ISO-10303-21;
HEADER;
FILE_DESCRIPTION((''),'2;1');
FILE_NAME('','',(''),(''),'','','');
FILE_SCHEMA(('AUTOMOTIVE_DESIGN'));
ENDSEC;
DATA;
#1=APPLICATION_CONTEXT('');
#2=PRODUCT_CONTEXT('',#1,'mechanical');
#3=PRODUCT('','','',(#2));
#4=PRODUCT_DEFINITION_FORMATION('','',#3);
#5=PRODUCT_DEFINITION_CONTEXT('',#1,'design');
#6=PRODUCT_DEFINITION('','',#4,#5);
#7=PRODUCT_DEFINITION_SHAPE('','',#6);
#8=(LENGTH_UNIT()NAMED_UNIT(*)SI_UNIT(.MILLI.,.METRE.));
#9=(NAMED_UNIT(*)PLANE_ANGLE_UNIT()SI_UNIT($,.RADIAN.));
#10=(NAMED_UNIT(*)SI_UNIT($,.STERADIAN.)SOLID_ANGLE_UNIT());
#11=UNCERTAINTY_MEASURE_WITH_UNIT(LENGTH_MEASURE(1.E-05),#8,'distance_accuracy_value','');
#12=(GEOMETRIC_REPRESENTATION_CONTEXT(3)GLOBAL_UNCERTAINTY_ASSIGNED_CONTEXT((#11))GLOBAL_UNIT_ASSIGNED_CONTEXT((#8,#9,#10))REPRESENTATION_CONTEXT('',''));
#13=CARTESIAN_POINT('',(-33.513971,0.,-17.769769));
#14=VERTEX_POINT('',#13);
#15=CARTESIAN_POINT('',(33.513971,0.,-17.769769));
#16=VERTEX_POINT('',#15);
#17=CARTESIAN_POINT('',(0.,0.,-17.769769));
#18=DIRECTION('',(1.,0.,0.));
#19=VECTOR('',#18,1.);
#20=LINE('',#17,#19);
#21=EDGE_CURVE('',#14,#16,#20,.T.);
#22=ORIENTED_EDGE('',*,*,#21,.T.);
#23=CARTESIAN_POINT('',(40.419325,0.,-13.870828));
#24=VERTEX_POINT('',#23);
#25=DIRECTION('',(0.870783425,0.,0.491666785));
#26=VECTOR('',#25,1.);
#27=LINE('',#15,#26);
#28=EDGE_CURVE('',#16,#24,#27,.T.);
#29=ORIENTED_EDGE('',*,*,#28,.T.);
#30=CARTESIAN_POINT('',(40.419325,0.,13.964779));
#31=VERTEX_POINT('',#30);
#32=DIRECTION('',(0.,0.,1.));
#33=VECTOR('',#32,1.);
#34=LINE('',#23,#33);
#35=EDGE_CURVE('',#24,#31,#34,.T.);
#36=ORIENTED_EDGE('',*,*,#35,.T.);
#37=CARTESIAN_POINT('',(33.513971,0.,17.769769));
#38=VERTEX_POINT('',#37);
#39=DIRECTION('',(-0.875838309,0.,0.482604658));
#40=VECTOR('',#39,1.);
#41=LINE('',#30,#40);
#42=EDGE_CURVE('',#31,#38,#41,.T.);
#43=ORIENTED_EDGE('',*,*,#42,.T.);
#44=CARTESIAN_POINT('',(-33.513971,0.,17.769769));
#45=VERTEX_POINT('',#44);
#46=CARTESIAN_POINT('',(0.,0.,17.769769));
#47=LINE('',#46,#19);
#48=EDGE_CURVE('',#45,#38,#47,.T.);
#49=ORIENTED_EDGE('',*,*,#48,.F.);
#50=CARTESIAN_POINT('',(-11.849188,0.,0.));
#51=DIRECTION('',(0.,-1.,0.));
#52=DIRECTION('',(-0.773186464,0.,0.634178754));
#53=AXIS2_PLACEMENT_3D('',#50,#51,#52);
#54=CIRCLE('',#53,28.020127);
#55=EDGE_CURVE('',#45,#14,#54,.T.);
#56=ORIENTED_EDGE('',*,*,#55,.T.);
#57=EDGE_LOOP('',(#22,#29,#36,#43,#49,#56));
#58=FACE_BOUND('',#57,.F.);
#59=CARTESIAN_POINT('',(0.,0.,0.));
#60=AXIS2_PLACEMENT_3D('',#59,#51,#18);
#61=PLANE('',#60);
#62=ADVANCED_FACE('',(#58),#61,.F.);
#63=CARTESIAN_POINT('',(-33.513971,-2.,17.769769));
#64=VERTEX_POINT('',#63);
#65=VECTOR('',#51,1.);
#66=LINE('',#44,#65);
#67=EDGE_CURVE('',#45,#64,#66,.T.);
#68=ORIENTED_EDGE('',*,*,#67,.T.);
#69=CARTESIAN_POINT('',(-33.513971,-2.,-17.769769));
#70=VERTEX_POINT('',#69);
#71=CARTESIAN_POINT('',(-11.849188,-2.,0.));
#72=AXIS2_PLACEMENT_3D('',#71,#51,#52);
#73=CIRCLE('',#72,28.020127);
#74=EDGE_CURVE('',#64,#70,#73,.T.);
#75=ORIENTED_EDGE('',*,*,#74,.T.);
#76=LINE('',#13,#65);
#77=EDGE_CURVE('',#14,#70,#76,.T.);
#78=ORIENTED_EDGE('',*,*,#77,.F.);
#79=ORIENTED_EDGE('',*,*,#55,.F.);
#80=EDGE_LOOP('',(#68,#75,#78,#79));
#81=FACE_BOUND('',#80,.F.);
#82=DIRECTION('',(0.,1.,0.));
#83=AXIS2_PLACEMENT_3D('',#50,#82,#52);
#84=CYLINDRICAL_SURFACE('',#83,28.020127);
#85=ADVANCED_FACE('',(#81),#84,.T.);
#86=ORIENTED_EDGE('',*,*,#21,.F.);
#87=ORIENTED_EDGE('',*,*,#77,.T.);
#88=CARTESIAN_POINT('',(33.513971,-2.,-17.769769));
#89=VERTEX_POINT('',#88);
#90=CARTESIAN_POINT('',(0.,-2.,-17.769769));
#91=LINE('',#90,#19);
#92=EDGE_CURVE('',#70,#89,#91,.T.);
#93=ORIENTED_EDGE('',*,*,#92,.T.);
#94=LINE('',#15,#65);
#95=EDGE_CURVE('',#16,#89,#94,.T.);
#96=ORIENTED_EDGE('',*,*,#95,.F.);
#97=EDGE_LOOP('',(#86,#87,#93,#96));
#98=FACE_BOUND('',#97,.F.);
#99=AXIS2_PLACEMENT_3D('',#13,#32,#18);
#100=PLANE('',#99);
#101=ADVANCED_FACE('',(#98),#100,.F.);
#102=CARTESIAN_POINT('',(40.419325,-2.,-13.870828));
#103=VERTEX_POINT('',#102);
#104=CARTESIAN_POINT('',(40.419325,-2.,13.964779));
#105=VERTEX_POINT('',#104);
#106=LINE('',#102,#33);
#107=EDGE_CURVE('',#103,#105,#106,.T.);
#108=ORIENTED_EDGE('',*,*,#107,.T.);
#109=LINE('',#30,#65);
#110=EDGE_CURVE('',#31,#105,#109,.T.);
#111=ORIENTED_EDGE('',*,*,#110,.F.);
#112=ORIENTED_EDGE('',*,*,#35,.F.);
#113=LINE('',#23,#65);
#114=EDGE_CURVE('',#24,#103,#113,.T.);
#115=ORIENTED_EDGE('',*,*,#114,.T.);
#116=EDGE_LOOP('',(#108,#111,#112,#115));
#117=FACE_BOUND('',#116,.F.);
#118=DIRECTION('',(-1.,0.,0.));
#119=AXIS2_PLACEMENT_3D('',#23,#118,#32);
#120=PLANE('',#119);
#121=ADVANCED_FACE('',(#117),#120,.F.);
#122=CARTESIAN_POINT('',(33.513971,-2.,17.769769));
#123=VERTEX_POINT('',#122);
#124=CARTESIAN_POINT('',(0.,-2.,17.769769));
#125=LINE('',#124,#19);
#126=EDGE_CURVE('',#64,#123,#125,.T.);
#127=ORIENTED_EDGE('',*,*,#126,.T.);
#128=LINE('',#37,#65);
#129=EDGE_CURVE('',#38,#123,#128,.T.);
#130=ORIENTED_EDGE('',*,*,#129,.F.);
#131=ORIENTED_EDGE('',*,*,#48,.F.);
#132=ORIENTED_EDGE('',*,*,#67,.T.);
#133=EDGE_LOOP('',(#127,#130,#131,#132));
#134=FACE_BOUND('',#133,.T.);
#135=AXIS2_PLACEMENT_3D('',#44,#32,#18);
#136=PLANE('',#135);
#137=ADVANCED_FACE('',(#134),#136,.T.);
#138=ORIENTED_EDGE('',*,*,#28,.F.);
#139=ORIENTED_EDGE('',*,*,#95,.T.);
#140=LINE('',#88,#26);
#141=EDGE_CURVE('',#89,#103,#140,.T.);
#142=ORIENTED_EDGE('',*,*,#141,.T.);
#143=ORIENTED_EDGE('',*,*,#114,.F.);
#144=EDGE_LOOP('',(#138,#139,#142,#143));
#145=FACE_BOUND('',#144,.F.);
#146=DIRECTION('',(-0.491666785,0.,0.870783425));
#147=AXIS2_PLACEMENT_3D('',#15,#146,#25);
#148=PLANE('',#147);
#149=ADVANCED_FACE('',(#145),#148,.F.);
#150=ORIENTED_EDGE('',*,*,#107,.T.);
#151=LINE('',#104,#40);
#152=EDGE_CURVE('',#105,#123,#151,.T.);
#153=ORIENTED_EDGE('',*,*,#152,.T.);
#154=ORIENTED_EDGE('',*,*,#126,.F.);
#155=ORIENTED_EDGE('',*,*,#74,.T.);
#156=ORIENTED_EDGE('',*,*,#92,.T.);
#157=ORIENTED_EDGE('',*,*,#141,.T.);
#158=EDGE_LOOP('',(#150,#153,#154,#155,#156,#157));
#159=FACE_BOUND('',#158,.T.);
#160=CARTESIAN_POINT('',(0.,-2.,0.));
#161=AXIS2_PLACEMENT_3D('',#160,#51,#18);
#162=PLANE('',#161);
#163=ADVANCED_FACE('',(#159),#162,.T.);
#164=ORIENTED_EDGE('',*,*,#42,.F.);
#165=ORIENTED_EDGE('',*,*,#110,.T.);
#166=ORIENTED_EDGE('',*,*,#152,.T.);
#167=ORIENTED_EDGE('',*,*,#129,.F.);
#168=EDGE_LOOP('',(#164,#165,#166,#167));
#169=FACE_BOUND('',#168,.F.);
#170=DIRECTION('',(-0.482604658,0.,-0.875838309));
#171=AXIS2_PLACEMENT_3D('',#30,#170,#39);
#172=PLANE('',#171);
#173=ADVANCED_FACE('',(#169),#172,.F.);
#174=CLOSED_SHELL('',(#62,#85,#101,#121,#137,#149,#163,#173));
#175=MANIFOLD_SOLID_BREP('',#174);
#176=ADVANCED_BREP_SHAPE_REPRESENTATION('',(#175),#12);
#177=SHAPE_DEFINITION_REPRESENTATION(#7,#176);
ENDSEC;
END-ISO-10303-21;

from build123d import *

# Parameters (mm, degrees)
F0_W     = 67.027942
F0_H     = 35.539538
F1_DEPTH = 2


with BuildPart() as f1:
    # F0 (on Front) → F1 (new body)
    with BuildSketch(Plane.XZ):
        Rectangle(F0_W, F0_H)
        with BuildLine():
            ThreePointArc((-33.513971, 17.769769), (-39.869315, 0), (-33.513971, -17.769769))
            Line((-33.513971, -17.769769), (-33.513971, 17.769769))
        make_face()
        Polygon((33.513971, 17.769769), (33.513971, -17.769769), (40.419325, -13.870828), (40.419325, 13.964779), align=None)
    extrude(amount=F1_DEPTH)


solid = f1.part
